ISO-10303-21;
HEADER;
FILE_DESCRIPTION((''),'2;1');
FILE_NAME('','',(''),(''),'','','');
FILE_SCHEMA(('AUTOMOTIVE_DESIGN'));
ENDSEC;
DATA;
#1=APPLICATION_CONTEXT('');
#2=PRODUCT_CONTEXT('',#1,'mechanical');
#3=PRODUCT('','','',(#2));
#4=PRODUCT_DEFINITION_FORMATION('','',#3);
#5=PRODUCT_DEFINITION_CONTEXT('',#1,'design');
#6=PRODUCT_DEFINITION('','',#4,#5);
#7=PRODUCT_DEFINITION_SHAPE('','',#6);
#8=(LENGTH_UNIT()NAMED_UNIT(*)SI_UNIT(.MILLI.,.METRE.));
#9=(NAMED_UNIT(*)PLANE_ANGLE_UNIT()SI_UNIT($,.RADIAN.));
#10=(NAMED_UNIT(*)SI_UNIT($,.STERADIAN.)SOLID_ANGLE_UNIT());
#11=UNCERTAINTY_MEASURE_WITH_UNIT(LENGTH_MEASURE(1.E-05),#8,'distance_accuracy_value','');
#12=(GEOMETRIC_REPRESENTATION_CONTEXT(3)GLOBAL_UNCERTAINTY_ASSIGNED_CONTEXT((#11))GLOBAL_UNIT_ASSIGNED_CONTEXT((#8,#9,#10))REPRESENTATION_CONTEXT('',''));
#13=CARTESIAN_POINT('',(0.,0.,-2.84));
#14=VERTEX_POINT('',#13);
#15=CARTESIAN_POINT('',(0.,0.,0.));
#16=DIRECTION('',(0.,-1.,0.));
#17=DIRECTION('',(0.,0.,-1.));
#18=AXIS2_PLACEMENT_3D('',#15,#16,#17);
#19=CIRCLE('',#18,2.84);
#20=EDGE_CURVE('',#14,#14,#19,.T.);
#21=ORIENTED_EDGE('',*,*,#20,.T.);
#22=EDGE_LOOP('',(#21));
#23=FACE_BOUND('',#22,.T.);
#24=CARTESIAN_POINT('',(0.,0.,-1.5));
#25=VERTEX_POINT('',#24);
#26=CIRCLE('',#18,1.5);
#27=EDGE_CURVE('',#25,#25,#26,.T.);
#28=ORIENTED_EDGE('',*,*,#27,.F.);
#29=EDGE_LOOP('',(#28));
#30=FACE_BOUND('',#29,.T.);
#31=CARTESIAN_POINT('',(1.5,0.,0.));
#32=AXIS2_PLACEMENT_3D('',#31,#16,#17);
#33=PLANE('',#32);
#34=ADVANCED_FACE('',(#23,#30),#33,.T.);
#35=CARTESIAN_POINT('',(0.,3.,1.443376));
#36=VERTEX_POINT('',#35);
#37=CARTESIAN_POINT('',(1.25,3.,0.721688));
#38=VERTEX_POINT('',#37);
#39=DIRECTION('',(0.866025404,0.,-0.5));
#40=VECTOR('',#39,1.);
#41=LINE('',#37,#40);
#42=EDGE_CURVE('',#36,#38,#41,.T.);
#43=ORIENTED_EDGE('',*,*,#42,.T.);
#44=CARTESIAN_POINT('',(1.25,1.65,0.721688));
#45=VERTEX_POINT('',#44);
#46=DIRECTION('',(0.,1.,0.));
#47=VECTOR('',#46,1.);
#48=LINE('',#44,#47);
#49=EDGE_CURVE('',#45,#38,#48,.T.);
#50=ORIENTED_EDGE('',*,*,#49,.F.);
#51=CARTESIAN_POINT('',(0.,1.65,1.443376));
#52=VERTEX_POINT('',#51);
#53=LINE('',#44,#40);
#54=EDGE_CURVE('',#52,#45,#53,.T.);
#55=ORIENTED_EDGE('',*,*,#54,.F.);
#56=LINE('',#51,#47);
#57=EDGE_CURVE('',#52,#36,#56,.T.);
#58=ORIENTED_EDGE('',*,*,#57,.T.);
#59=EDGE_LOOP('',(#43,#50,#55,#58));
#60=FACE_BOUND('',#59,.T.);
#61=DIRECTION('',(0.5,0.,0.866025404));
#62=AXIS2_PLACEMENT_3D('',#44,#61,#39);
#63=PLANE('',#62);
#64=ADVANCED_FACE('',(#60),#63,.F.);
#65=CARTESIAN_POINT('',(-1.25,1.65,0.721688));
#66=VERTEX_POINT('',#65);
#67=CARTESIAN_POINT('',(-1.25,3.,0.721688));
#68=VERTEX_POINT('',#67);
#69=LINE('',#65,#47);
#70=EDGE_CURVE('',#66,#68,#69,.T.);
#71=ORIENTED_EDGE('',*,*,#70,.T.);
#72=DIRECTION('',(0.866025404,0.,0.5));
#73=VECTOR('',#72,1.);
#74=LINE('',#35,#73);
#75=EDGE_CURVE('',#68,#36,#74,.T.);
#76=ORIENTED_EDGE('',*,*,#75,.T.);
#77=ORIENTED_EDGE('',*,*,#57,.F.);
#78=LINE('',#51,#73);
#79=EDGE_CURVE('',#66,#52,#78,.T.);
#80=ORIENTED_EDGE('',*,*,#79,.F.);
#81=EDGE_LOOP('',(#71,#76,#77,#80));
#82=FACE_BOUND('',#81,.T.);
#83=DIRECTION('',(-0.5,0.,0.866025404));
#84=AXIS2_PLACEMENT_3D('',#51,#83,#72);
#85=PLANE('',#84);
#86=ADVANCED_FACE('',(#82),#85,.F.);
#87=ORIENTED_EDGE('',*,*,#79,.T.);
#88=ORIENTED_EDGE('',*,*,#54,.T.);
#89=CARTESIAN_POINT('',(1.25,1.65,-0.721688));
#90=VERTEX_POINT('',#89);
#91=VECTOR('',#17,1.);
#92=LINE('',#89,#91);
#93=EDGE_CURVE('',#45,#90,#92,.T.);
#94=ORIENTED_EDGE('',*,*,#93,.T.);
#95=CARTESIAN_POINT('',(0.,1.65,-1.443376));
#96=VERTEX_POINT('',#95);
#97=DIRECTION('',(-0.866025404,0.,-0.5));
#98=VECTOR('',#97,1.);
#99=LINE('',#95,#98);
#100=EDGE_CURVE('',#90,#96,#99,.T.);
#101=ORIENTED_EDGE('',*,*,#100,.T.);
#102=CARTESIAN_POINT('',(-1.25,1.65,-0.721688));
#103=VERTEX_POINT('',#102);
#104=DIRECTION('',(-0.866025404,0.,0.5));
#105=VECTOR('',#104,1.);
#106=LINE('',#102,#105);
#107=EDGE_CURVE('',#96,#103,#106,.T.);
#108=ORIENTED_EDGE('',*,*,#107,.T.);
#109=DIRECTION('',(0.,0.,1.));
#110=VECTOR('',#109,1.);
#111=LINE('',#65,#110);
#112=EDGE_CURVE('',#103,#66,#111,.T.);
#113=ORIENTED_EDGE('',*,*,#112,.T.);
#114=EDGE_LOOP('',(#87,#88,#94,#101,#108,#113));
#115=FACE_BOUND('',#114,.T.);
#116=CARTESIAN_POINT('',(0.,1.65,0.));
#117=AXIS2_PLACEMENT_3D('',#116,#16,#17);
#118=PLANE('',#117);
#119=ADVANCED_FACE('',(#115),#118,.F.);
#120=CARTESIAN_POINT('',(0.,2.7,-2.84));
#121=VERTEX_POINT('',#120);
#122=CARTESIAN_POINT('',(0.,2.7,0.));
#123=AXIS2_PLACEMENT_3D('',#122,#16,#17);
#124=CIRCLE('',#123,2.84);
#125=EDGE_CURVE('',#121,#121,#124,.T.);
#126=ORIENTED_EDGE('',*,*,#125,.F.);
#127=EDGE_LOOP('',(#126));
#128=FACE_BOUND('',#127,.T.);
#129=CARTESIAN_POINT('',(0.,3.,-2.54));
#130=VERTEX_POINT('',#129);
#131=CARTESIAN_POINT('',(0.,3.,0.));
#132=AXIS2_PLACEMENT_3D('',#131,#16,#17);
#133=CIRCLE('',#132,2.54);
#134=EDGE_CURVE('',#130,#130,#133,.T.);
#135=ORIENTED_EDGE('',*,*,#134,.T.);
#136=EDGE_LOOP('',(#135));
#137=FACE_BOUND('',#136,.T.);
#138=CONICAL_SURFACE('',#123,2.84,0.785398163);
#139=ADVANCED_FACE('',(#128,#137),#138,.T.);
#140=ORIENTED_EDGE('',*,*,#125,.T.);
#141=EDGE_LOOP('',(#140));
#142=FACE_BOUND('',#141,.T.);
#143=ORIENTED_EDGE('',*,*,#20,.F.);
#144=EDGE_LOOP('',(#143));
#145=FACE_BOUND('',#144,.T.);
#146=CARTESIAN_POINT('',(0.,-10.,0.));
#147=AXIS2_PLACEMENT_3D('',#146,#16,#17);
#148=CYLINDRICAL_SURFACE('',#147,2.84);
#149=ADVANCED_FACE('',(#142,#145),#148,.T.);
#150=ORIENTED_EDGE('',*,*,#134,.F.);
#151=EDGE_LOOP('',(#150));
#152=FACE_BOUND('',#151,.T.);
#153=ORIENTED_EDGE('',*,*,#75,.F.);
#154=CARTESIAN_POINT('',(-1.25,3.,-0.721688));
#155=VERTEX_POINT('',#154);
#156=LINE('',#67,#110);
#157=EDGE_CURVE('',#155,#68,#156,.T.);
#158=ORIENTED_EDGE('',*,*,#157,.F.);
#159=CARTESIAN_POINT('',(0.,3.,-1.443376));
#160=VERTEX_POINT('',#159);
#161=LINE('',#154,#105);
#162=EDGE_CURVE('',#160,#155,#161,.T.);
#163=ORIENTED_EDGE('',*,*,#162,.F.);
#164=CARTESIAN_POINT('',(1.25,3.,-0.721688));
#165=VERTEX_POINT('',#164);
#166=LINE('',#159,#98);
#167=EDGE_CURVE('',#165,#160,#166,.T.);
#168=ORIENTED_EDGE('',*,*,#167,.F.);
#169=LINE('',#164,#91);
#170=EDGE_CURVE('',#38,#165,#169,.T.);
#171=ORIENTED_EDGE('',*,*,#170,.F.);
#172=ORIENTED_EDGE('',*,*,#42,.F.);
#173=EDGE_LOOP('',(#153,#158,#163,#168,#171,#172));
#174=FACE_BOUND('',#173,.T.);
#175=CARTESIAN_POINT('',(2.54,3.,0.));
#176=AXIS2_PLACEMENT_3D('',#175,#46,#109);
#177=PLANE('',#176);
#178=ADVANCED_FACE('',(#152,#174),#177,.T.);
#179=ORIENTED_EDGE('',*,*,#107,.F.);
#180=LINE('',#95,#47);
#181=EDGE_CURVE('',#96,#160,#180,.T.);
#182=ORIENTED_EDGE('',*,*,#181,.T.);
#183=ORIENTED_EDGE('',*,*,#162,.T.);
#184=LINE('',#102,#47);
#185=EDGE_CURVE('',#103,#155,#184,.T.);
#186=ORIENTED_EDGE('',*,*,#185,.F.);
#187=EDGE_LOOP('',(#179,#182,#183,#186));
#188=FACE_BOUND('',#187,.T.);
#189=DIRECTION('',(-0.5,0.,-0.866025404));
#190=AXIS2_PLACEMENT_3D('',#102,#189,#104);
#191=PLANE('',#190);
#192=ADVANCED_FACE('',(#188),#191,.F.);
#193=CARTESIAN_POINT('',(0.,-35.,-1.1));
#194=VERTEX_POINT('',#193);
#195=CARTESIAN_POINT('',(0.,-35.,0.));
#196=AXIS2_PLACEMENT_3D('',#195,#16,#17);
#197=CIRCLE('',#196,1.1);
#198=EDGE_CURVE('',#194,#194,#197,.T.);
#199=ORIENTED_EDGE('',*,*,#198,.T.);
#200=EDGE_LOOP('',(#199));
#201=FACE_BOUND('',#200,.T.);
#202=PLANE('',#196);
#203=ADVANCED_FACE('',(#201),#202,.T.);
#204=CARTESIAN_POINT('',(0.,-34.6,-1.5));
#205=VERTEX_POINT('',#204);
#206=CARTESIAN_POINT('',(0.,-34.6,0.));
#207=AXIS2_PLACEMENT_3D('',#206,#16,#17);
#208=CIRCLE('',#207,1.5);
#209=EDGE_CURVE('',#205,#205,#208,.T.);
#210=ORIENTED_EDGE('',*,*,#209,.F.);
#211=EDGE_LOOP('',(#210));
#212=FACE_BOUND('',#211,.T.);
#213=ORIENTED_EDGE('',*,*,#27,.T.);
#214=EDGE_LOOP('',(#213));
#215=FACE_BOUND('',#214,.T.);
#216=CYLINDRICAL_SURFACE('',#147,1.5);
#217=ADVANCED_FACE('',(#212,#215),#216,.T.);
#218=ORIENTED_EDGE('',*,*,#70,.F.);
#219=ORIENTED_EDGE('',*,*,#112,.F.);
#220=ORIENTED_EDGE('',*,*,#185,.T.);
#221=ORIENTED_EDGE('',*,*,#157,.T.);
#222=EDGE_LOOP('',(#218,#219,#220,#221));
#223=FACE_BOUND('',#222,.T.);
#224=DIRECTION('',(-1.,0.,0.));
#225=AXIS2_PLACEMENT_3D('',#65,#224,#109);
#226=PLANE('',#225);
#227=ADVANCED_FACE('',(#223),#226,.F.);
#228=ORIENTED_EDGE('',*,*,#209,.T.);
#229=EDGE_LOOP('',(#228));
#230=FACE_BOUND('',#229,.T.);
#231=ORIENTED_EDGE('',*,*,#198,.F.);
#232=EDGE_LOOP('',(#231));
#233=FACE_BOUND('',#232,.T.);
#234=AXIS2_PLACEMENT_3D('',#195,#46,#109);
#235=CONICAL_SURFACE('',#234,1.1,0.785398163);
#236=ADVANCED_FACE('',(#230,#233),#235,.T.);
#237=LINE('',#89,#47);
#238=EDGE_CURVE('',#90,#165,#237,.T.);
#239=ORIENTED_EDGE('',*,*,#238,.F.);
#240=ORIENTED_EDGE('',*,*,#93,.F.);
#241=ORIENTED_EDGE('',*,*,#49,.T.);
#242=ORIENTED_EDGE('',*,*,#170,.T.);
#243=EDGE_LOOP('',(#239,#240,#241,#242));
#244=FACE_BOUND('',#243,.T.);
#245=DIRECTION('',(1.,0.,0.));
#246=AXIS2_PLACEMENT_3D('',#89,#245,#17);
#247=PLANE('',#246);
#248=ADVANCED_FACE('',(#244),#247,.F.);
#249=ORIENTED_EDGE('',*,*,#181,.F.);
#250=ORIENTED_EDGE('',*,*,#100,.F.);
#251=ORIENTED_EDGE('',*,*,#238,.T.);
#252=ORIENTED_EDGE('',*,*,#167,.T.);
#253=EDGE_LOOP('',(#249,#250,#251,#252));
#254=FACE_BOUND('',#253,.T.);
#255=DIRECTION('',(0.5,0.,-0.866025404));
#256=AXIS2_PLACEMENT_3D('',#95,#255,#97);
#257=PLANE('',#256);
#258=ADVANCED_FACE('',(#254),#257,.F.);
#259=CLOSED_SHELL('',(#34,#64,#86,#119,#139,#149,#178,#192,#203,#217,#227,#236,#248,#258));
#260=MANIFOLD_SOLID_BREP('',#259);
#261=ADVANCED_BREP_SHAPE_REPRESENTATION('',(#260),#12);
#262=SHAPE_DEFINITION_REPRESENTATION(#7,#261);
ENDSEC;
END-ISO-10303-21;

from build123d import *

# Parameters (mm, degrees)
CUT_EXTRUDE1_DEPTH = 1.35


with BuildPart() as part:
    # Sketch1 → Revolve1 (revolve)
    with BuildSketch(Plane.XY, mode=Mode.PRIVATE) as revolve1_sk:
        Polygon((0, -35), (1.1, -35), (1.5, -34.6), (1.5, 0), (2.84, 0), (2.84, 2.7), (2.54, 3), (0, 3), align=None)
    revolve(revolve1_sk.sketch.rotate(Axis((0, -10, 0), (0, 1, 0)), 90), axis=Axis((0, -10, 0), (0, 1, 0)))

    # Sketch2 → Cut-Extrude1 (cut)
    with BuildSketch(Plane(origin=(0, 3, 0), x_dir=(1, 0, 0), z_dir=(0, 1, 0))):
        Polygon((1.25, -0.721687836), (0, -1.443375673), (-1.25, -0.721687836), (-1.25, 0.721687836), (0, 1.443375673), (1.25, 0.721687836), align=None)
    extrude(amount=-CUT_EXTRUDE1_DEPTH, mode=Mode.SUBTRACT)


solid = part.part
